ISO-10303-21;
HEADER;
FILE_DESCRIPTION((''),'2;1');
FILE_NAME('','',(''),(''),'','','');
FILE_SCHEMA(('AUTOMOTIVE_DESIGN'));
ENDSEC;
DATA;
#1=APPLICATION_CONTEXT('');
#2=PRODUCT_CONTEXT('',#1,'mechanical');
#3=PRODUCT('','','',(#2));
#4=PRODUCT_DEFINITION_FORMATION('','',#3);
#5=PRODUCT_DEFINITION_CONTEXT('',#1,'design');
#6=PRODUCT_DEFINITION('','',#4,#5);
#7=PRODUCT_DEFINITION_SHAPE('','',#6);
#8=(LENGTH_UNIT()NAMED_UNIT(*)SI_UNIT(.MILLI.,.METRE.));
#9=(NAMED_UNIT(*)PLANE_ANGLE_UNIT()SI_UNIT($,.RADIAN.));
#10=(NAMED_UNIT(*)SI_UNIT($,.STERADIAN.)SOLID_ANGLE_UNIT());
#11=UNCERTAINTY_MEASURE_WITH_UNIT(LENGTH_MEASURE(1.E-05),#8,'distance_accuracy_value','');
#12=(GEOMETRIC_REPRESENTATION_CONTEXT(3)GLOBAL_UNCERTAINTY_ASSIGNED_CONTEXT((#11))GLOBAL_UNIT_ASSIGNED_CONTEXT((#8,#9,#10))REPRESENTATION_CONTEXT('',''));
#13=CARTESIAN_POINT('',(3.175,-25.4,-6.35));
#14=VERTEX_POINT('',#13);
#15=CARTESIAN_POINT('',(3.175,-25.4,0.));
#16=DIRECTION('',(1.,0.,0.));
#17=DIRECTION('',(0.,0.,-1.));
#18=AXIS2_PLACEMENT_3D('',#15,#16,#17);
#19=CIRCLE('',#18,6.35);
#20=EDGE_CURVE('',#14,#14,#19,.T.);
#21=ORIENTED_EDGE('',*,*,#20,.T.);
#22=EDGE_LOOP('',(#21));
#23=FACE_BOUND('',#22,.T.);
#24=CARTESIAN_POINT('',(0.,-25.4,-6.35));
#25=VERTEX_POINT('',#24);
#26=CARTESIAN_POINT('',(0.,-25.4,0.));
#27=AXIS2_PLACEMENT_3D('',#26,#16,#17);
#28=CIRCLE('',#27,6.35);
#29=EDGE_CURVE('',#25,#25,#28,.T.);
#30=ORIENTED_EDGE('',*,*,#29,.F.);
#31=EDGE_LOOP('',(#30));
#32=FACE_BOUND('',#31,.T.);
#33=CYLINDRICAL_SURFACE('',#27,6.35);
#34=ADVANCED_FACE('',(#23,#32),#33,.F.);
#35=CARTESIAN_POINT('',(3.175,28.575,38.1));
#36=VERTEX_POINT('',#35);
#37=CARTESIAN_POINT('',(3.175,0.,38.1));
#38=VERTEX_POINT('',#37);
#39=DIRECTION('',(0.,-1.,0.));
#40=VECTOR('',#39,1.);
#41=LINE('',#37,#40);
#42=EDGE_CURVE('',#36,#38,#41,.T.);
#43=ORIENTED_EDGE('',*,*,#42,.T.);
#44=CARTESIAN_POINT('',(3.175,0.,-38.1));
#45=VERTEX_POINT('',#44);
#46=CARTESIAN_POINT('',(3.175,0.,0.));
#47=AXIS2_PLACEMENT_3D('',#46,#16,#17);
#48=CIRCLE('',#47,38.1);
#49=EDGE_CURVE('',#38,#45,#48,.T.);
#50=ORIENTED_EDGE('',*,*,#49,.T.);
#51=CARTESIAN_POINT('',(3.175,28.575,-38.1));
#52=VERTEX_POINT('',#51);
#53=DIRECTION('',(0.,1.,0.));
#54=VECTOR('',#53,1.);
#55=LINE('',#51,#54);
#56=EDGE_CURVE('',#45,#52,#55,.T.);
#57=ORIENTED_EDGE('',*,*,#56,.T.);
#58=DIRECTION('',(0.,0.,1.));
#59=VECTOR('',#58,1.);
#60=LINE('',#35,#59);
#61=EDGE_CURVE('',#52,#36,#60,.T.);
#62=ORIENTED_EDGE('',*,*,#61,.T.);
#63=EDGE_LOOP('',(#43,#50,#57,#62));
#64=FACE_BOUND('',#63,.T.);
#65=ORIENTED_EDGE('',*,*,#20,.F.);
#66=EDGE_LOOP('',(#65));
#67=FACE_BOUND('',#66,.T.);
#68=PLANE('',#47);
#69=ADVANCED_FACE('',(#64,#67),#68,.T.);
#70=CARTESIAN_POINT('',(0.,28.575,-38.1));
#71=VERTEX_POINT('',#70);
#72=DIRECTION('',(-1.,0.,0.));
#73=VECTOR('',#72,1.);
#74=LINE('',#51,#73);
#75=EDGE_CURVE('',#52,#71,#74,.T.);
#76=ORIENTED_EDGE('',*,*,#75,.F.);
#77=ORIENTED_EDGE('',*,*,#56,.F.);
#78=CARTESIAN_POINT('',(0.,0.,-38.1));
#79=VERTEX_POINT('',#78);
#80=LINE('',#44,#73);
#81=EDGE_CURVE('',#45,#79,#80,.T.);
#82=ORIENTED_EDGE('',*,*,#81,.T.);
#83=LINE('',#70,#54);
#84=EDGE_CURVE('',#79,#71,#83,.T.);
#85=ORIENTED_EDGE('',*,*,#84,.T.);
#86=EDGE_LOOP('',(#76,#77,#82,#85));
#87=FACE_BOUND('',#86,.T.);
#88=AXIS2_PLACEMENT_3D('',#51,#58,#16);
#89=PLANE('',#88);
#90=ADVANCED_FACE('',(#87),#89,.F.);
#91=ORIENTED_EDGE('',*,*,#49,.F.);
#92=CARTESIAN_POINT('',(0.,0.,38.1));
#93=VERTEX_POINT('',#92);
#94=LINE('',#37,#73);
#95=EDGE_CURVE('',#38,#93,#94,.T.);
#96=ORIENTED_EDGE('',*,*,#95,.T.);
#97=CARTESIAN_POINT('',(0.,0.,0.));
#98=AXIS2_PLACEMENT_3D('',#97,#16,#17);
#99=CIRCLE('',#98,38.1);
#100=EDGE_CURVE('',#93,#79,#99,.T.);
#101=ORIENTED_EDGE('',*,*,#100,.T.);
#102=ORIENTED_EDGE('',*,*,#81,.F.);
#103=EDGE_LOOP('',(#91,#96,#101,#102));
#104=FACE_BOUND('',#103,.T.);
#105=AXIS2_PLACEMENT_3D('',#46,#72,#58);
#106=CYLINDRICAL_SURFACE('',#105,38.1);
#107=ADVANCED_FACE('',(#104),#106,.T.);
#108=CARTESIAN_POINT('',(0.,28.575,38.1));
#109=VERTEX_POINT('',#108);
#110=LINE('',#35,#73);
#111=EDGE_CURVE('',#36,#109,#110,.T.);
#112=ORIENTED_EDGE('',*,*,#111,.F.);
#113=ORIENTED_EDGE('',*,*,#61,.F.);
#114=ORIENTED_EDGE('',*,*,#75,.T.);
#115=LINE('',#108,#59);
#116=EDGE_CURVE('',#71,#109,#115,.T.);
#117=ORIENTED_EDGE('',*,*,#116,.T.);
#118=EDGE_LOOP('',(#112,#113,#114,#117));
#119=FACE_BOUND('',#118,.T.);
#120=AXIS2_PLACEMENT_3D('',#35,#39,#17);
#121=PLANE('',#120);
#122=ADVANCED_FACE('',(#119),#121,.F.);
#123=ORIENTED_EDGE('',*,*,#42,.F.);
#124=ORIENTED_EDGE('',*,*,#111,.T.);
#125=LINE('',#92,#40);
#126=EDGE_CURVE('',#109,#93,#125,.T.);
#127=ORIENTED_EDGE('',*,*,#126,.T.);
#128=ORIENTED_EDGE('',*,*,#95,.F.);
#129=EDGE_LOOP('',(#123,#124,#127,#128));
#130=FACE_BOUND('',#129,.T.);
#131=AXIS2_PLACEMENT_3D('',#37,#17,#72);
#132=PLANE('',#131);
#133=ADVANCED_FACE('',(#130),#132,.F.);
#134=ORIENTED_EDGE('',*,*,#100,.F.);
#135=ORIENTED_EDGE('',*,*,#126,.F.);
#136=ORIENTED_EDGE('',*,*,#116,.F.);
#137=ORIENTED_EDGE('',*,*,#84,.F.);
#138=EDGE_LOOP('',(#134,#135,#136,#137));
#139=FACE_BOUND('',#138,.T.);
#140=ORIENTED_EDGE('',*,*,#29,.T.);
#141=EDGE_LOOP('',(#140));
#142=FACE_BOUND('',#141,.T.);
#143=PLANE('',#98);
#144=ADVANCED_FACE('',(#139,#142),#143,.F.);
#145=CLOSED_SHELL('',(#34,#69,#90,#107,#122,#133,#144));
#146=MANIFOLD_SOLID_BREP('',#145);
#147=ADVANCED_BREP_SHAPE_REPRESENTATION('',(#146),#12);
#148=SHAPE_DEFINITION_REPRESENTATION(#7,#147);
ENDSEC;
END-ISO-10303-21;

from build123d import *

# Parameters (mm, degrees)
BOSS_EXTRUDE1_DEPTH = 3.175
SKETCH2_R           = 6.35
CUT_EXTRUDE1_DEPTH  = 54.975


with BuildPart() as part:
    # Sketch1 → Boss-Extrude1 (new body)
    with BuildSketch(Plane(origin=(0, 0, 0), x_dir=(0, 0, -1), z_dir=(1, 0, 0))):
        with BuildLine():
            Line((-38.1, 0), (-38.1, 28.575))
            Line((-38.1, 28.575), (38.1, 28.575))
            Line((38.1, 28.575), (38.1, 0))
            ThreePointArc((38.1, 0), (0, -38.1), (-38.1, 0))
        make_face()
    extrude(amount=BOSS_EXTRUDE1_DEPTH)

    # Sketch2 → Cut-Extrude1 (cut, through all)
    with BuildSketch(Plane(origin=(3.175, 0, 0), x_dir=(0, 0, -1), z_dir=(1, 0, 0))):
        with Locations((0, -25.4)):
            Circle(SKETCH2_R)
    extrude(amount=-CUT_EXTRUDE1_DEPTH, mode=Mode.SUBTRACT)


solid = part.part
